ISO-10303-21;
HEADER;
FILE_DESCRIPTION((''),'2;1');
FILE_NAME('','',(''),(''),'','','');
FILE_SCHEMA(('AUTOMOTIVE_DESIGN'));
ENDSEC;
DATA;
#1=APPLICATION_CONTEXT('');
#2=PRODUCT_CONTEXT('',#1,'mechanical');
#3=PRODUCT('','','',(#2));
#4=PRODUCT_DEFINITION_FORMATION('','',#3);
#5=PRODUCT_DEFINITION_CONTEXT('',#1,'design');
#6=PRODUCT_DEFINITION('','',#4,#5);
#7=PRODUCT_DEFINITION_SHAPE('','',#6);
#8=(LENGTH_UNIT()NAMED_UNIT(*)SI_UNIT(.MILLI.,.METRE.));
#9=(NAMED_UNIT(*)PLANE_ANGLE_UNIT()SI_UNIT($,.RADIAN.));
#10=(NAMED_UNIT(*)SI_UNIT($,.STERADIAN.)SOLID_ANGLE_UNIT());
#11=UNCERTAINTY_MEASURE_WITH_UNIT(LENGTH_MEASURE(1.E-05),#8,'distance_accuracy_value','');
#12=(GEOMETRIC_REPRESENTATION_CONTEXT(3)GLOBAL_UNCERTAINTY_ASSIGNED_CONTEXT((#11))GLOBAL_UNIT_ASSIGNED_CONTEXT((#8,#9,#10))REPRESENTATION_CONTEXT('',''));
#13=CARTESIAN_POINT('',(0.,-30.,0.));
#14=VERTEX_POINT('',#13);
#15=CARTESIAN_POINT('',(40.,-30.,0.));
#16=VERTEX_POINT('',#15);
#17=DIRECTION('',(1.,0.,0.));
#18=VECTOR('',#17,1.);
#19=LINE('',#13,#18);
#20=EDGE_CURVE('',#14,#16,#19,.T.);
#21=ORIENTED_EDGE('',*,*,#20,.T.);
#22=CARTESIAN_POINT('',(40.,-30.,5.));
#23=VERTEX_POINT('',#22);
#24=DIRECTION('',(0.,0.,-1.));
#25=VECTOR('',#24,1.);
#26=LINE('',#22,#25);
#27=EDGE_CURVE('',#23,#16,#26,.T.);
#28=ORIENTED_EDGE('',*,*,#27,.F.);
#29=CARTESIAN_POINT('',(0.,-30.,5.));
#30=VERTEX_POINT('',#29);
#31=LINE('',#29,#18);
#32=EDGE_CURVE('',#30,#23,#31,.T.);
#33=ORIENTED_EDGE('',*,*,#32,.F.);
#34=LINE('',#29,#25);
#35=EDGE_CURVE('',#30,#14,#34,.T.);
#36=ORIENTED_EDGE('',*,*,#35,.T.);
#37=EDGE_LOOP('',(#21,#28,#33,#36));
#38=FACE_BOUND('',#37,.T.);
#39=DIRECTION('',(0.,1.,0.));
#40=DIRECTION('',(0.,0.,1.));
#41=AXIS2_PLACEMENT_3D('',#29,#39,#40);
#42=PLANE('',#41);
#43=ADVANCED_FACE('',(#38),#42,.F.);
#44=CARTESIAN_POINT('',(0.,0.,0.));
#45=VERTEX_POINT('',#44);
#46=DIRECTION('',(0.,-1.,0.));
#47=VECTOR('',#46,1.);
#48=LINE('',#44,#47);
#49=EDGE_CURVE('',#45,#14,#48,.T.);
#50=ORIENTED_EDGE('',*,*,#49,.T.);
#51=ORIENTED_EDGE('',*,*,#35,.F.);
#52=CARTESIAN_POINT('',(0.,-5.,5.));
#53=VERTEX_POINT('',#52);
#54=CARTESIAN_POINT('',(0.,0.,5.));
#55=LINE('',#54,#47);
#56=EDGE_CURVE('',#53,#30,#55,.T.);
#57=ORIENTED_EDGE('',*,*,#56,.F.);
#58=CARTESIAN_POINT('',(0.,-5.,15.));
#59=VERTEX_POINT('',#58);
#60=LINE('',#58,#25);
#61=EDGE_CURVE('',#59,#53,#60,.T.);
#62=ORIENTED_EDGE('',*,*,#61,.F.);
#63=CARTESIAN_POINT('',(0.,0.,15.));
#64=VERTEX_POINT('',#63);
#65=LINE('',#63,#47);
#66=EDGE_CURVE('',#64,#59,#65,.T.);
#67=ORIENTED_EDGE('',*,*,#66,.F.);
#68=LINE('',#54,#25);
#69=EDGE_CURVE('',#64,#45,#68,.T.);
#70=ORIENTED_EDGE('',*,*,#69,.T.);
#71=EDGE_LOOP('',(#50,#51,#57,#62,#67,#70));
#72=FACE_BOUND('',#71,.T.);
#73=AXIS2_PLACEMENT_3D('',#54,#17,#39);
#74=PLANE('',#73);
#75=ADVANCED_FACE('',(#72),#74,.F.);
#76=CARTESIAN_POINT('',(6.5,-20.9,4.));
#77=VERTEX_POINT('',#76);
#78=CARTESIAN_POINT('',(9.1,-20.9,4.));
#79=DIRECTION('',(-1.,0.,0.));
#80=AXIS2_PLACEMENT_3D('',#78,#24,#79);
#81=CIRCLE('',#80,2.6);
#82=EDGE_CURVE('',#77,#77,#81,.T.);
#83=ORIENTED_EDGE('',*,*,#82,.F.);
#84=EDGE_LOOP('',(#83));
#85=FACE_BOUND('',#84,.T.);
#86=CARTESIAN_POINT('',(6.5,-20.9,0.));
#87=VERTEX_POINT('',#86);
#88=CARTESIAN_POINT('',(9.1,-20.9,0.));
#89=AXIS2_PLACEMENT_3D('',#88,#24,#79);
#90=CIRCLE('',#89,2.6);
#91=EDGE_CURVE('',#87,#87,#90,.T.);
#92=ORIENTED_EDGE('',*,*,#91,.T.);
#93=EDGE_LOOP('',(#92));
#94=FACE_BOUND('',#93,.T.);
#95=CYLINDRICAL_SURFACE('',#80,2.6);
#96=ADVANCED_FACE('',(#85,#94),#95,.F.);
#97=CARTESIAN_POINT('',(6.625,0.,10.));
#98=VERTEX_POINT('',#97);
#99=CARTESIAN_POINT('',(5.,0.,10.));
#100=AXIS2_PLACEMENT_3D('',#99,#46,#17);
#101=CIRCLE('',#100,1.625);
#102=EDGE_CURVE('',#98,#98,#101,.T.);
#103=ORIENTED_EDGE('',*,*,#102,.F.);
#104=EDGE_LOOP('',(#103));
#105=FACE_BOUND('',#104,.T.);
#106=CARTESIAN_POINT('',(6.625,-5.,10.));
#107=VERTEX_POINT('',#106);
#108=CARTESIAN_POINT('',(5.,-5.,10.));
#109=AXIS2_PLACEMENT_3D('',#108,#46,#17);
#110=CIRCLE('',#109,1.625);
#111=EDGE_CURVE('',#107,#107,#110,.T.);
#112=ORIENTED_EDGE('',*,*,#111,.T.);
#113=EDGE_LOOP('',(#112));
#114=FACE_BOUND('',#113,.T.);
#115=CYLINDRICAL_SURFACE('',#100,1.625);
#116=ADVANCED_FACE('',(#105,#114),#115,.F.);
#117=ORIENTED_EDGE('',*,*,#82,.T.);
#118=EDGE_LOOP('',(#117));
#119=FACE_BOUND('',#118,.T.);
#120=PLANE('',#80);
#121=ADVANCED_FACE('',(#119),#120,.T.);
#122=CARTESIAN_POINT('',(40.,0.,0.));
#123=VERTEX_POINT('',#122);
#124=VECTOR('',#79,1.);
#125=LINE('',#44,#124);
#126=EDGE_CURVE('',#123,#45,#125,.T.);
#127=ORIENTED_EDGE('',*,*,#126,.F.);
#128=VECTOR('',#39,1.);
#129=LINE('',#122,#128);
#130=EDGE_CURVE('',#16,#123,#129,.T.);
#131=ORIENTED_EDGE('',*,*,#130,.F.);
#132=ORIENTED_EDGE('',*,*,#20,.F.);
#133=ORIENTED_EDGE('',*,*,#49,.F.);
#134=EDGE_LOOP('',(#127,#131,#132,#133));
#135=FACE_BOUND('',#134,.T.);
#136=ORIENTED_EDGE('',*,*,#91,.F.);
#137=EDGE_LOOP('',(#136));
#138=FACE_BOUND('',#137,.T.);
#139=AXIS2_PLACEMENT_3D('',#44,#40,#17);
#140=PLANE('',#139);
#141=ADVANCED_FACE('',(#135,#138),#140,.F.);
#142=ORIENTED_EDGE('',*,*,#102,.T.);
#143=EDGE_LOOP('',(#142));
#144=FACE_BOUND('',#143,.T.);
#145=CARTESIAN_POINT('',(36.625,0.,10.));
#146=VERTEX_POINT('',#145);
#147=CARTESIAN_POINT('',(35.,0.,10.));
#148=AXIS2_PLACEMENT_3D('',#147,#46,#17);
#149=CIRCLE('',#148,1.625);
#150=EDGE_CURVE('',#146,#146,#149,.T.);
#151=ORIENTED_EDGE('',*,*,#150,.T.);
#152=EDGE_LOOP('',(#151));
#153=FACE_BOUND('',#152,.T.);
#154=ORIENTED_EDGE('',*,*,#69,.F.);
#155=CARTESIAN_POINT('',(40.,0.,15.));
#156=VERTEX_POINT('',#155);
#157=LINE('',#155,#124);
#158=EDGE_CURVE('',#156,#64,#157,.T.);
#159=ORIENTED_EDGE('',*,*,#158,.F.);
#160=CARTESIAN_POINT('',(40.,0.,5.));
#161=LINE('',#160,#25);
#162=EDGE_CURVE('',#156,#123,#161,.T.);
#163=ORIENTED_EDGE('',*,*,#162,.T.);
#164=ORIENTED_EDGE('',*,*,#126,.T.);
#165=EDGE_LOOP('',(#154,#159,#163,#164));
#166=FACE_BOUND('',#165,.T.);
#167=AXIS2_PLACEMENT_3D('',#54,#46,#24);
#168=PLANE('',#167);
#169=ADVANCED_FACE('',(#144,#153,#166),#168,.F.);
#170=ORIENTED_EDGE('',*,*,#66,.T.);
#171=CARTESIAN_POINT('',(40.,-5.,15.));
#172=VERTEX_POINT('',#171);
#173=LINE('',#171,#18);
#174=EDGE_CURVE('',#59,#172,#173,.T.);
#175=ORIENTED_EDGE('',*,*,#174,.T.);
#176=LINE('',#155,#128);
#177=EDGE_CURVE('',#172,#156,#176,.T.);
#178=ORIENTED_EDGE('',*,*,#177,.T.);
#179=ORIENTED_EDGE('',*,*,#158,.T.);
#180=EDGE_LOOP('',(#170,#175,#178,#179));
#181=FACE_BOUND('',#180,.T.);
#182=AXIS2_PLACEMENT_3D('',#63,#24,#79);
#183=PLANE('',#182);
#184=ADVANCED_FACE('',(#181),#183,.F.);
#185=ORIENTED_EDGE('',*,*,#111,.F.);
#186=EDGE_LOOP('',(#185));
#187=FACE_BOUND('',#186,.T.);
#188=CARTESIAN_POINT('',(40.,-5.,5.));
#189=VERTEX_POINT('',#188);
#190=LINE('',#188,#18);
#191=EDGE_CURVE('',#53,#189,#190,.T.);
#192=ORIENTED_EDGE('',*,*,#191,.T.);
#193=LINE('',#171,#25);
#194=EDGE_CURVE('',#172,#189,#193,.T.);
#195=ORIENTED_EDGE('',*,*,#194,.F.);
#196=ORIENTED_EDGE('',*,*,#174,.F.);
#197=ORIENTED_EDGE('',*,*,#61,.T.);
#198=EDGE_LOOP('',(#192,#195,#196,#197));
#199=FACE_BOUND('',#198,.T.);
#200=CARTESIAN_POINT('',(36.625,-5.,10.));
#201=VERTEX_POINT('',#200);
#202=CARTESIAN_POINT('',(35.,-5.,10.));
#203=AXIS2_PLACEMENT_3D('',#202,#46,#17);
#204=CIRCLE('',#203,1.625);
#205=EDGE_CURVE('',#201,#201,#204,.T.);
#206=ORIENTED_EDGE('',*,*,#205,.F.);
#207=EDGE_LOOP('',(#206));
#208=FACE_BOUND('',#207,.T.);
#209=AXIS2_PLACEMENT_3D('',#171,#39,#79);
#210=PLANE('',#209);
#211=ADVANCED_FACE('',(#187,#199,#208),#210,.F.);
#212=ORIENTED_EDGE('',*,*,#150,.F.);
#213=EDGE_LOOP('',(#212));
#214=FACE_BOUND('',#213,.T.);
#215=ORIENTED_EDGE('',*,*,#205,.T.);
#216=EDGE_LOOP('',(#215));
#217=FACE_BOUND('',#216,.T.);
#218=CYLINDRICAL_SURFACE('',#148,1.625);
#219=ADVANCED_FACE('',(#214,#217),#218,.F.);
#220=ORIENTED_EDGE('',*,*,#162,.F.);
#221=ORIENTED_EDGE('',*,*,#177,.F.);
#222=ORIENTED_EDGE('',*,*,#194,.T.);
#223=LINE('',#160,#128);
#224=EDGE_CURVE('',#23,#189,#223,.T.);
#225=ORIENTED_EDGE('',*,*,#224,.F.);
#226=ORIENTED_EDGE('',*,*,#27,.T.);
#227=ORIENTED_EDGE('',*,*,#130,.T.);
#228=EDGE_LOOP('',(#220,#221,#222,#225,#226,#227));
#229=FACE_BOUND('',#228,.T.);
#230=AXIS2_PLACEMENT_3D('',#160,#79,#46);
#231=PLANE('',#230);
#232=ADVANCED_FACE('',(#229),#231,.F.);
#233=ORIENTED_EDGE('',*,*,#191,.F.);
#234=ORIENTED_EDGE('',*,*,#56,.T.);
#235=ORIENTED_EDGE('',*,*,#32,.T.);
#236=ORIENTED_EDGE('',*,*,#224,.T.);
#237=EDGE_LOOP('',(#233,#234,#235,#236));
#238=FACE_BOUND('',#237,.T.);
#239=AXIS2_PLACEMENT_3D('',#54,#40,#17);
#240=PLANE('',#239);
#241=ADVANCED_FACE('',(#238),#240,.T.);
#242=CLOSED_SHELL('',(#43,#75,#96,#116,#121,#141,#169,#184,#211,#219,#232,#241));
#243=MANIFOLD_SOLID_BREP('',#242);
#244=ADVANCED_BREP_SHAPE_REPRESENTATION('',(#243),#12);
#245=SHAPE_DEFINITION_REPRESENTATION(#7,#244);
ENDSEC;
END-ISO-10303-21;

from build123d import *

# Parameters (mm, degrees)
ESQUISSE1_W             = 40
ESQUISSE1_H             = 30
BOSS_EXTRU_1_DEPTH      = 5
ESQUISSE2_W             = 40
ESQUISSE2_H             = 5
BOSS_EXTRU_2_DEPTH      = 10
ESQUISSE3_R             = 1.625
ENL_V_MAT_EXTRU_1_DEPTH = 6
ESQUISSE4_R             = 2.6
ENL_V_MAT_EXTRU_2_DEPTH = 4


with BuildPart() as part:
    # Esquisse1 → Boss.-Extru.1 (new body)
    with BuildSketch(Plane.XY):
        with Locations((20, -15)):
            Rectangle(ESQUISSE1_W, ESQUISSE1_H)
    extrude(amount=BOSS_EXTRU_1_DEPTH)

    # Esquisse2 → Boss.-Extru.2 (add)
    with BuildSketch(Plane.XY.offset(5)):
        with Locations((20, -2.5)):
            Rectangle(ESQUISSE2_W, ESQUISSE2_H)
    extrude(amount=BOSS_EXTRU_2_DEPTH)

    # Esquisse3 → Enlèv. mat.-Extru.1 (cut, through all)
    with BuildSketch(Plane.XZ.offset(5)):
        with Locations((5, 10)):
            Circle(ESQUISSE3_R)
        with Locations((35, 10)):
            Circle(ESQUISSE3_R)
    extrude(amount=-ENL_V_MAT_EXTRU_1_DEPTH, mode=Mode.SUBTRACT)

    # Esquisse4 → Enlèv. mat.-Extru.2 (cut)
    with BuildSketch(Plane(origin=(0, 0, 0), x_dir=(-1, 0, 0), z_dir=(0, 0, -1))):
        with Locations((-9.1, -20.9)):
            Circle(ESQUISSE4_R)
    extrude(amount=-ENL_V_MAT_EXTRU_2_DEPTH, mode=Mode.SUBTRACT)


solid = part.part
